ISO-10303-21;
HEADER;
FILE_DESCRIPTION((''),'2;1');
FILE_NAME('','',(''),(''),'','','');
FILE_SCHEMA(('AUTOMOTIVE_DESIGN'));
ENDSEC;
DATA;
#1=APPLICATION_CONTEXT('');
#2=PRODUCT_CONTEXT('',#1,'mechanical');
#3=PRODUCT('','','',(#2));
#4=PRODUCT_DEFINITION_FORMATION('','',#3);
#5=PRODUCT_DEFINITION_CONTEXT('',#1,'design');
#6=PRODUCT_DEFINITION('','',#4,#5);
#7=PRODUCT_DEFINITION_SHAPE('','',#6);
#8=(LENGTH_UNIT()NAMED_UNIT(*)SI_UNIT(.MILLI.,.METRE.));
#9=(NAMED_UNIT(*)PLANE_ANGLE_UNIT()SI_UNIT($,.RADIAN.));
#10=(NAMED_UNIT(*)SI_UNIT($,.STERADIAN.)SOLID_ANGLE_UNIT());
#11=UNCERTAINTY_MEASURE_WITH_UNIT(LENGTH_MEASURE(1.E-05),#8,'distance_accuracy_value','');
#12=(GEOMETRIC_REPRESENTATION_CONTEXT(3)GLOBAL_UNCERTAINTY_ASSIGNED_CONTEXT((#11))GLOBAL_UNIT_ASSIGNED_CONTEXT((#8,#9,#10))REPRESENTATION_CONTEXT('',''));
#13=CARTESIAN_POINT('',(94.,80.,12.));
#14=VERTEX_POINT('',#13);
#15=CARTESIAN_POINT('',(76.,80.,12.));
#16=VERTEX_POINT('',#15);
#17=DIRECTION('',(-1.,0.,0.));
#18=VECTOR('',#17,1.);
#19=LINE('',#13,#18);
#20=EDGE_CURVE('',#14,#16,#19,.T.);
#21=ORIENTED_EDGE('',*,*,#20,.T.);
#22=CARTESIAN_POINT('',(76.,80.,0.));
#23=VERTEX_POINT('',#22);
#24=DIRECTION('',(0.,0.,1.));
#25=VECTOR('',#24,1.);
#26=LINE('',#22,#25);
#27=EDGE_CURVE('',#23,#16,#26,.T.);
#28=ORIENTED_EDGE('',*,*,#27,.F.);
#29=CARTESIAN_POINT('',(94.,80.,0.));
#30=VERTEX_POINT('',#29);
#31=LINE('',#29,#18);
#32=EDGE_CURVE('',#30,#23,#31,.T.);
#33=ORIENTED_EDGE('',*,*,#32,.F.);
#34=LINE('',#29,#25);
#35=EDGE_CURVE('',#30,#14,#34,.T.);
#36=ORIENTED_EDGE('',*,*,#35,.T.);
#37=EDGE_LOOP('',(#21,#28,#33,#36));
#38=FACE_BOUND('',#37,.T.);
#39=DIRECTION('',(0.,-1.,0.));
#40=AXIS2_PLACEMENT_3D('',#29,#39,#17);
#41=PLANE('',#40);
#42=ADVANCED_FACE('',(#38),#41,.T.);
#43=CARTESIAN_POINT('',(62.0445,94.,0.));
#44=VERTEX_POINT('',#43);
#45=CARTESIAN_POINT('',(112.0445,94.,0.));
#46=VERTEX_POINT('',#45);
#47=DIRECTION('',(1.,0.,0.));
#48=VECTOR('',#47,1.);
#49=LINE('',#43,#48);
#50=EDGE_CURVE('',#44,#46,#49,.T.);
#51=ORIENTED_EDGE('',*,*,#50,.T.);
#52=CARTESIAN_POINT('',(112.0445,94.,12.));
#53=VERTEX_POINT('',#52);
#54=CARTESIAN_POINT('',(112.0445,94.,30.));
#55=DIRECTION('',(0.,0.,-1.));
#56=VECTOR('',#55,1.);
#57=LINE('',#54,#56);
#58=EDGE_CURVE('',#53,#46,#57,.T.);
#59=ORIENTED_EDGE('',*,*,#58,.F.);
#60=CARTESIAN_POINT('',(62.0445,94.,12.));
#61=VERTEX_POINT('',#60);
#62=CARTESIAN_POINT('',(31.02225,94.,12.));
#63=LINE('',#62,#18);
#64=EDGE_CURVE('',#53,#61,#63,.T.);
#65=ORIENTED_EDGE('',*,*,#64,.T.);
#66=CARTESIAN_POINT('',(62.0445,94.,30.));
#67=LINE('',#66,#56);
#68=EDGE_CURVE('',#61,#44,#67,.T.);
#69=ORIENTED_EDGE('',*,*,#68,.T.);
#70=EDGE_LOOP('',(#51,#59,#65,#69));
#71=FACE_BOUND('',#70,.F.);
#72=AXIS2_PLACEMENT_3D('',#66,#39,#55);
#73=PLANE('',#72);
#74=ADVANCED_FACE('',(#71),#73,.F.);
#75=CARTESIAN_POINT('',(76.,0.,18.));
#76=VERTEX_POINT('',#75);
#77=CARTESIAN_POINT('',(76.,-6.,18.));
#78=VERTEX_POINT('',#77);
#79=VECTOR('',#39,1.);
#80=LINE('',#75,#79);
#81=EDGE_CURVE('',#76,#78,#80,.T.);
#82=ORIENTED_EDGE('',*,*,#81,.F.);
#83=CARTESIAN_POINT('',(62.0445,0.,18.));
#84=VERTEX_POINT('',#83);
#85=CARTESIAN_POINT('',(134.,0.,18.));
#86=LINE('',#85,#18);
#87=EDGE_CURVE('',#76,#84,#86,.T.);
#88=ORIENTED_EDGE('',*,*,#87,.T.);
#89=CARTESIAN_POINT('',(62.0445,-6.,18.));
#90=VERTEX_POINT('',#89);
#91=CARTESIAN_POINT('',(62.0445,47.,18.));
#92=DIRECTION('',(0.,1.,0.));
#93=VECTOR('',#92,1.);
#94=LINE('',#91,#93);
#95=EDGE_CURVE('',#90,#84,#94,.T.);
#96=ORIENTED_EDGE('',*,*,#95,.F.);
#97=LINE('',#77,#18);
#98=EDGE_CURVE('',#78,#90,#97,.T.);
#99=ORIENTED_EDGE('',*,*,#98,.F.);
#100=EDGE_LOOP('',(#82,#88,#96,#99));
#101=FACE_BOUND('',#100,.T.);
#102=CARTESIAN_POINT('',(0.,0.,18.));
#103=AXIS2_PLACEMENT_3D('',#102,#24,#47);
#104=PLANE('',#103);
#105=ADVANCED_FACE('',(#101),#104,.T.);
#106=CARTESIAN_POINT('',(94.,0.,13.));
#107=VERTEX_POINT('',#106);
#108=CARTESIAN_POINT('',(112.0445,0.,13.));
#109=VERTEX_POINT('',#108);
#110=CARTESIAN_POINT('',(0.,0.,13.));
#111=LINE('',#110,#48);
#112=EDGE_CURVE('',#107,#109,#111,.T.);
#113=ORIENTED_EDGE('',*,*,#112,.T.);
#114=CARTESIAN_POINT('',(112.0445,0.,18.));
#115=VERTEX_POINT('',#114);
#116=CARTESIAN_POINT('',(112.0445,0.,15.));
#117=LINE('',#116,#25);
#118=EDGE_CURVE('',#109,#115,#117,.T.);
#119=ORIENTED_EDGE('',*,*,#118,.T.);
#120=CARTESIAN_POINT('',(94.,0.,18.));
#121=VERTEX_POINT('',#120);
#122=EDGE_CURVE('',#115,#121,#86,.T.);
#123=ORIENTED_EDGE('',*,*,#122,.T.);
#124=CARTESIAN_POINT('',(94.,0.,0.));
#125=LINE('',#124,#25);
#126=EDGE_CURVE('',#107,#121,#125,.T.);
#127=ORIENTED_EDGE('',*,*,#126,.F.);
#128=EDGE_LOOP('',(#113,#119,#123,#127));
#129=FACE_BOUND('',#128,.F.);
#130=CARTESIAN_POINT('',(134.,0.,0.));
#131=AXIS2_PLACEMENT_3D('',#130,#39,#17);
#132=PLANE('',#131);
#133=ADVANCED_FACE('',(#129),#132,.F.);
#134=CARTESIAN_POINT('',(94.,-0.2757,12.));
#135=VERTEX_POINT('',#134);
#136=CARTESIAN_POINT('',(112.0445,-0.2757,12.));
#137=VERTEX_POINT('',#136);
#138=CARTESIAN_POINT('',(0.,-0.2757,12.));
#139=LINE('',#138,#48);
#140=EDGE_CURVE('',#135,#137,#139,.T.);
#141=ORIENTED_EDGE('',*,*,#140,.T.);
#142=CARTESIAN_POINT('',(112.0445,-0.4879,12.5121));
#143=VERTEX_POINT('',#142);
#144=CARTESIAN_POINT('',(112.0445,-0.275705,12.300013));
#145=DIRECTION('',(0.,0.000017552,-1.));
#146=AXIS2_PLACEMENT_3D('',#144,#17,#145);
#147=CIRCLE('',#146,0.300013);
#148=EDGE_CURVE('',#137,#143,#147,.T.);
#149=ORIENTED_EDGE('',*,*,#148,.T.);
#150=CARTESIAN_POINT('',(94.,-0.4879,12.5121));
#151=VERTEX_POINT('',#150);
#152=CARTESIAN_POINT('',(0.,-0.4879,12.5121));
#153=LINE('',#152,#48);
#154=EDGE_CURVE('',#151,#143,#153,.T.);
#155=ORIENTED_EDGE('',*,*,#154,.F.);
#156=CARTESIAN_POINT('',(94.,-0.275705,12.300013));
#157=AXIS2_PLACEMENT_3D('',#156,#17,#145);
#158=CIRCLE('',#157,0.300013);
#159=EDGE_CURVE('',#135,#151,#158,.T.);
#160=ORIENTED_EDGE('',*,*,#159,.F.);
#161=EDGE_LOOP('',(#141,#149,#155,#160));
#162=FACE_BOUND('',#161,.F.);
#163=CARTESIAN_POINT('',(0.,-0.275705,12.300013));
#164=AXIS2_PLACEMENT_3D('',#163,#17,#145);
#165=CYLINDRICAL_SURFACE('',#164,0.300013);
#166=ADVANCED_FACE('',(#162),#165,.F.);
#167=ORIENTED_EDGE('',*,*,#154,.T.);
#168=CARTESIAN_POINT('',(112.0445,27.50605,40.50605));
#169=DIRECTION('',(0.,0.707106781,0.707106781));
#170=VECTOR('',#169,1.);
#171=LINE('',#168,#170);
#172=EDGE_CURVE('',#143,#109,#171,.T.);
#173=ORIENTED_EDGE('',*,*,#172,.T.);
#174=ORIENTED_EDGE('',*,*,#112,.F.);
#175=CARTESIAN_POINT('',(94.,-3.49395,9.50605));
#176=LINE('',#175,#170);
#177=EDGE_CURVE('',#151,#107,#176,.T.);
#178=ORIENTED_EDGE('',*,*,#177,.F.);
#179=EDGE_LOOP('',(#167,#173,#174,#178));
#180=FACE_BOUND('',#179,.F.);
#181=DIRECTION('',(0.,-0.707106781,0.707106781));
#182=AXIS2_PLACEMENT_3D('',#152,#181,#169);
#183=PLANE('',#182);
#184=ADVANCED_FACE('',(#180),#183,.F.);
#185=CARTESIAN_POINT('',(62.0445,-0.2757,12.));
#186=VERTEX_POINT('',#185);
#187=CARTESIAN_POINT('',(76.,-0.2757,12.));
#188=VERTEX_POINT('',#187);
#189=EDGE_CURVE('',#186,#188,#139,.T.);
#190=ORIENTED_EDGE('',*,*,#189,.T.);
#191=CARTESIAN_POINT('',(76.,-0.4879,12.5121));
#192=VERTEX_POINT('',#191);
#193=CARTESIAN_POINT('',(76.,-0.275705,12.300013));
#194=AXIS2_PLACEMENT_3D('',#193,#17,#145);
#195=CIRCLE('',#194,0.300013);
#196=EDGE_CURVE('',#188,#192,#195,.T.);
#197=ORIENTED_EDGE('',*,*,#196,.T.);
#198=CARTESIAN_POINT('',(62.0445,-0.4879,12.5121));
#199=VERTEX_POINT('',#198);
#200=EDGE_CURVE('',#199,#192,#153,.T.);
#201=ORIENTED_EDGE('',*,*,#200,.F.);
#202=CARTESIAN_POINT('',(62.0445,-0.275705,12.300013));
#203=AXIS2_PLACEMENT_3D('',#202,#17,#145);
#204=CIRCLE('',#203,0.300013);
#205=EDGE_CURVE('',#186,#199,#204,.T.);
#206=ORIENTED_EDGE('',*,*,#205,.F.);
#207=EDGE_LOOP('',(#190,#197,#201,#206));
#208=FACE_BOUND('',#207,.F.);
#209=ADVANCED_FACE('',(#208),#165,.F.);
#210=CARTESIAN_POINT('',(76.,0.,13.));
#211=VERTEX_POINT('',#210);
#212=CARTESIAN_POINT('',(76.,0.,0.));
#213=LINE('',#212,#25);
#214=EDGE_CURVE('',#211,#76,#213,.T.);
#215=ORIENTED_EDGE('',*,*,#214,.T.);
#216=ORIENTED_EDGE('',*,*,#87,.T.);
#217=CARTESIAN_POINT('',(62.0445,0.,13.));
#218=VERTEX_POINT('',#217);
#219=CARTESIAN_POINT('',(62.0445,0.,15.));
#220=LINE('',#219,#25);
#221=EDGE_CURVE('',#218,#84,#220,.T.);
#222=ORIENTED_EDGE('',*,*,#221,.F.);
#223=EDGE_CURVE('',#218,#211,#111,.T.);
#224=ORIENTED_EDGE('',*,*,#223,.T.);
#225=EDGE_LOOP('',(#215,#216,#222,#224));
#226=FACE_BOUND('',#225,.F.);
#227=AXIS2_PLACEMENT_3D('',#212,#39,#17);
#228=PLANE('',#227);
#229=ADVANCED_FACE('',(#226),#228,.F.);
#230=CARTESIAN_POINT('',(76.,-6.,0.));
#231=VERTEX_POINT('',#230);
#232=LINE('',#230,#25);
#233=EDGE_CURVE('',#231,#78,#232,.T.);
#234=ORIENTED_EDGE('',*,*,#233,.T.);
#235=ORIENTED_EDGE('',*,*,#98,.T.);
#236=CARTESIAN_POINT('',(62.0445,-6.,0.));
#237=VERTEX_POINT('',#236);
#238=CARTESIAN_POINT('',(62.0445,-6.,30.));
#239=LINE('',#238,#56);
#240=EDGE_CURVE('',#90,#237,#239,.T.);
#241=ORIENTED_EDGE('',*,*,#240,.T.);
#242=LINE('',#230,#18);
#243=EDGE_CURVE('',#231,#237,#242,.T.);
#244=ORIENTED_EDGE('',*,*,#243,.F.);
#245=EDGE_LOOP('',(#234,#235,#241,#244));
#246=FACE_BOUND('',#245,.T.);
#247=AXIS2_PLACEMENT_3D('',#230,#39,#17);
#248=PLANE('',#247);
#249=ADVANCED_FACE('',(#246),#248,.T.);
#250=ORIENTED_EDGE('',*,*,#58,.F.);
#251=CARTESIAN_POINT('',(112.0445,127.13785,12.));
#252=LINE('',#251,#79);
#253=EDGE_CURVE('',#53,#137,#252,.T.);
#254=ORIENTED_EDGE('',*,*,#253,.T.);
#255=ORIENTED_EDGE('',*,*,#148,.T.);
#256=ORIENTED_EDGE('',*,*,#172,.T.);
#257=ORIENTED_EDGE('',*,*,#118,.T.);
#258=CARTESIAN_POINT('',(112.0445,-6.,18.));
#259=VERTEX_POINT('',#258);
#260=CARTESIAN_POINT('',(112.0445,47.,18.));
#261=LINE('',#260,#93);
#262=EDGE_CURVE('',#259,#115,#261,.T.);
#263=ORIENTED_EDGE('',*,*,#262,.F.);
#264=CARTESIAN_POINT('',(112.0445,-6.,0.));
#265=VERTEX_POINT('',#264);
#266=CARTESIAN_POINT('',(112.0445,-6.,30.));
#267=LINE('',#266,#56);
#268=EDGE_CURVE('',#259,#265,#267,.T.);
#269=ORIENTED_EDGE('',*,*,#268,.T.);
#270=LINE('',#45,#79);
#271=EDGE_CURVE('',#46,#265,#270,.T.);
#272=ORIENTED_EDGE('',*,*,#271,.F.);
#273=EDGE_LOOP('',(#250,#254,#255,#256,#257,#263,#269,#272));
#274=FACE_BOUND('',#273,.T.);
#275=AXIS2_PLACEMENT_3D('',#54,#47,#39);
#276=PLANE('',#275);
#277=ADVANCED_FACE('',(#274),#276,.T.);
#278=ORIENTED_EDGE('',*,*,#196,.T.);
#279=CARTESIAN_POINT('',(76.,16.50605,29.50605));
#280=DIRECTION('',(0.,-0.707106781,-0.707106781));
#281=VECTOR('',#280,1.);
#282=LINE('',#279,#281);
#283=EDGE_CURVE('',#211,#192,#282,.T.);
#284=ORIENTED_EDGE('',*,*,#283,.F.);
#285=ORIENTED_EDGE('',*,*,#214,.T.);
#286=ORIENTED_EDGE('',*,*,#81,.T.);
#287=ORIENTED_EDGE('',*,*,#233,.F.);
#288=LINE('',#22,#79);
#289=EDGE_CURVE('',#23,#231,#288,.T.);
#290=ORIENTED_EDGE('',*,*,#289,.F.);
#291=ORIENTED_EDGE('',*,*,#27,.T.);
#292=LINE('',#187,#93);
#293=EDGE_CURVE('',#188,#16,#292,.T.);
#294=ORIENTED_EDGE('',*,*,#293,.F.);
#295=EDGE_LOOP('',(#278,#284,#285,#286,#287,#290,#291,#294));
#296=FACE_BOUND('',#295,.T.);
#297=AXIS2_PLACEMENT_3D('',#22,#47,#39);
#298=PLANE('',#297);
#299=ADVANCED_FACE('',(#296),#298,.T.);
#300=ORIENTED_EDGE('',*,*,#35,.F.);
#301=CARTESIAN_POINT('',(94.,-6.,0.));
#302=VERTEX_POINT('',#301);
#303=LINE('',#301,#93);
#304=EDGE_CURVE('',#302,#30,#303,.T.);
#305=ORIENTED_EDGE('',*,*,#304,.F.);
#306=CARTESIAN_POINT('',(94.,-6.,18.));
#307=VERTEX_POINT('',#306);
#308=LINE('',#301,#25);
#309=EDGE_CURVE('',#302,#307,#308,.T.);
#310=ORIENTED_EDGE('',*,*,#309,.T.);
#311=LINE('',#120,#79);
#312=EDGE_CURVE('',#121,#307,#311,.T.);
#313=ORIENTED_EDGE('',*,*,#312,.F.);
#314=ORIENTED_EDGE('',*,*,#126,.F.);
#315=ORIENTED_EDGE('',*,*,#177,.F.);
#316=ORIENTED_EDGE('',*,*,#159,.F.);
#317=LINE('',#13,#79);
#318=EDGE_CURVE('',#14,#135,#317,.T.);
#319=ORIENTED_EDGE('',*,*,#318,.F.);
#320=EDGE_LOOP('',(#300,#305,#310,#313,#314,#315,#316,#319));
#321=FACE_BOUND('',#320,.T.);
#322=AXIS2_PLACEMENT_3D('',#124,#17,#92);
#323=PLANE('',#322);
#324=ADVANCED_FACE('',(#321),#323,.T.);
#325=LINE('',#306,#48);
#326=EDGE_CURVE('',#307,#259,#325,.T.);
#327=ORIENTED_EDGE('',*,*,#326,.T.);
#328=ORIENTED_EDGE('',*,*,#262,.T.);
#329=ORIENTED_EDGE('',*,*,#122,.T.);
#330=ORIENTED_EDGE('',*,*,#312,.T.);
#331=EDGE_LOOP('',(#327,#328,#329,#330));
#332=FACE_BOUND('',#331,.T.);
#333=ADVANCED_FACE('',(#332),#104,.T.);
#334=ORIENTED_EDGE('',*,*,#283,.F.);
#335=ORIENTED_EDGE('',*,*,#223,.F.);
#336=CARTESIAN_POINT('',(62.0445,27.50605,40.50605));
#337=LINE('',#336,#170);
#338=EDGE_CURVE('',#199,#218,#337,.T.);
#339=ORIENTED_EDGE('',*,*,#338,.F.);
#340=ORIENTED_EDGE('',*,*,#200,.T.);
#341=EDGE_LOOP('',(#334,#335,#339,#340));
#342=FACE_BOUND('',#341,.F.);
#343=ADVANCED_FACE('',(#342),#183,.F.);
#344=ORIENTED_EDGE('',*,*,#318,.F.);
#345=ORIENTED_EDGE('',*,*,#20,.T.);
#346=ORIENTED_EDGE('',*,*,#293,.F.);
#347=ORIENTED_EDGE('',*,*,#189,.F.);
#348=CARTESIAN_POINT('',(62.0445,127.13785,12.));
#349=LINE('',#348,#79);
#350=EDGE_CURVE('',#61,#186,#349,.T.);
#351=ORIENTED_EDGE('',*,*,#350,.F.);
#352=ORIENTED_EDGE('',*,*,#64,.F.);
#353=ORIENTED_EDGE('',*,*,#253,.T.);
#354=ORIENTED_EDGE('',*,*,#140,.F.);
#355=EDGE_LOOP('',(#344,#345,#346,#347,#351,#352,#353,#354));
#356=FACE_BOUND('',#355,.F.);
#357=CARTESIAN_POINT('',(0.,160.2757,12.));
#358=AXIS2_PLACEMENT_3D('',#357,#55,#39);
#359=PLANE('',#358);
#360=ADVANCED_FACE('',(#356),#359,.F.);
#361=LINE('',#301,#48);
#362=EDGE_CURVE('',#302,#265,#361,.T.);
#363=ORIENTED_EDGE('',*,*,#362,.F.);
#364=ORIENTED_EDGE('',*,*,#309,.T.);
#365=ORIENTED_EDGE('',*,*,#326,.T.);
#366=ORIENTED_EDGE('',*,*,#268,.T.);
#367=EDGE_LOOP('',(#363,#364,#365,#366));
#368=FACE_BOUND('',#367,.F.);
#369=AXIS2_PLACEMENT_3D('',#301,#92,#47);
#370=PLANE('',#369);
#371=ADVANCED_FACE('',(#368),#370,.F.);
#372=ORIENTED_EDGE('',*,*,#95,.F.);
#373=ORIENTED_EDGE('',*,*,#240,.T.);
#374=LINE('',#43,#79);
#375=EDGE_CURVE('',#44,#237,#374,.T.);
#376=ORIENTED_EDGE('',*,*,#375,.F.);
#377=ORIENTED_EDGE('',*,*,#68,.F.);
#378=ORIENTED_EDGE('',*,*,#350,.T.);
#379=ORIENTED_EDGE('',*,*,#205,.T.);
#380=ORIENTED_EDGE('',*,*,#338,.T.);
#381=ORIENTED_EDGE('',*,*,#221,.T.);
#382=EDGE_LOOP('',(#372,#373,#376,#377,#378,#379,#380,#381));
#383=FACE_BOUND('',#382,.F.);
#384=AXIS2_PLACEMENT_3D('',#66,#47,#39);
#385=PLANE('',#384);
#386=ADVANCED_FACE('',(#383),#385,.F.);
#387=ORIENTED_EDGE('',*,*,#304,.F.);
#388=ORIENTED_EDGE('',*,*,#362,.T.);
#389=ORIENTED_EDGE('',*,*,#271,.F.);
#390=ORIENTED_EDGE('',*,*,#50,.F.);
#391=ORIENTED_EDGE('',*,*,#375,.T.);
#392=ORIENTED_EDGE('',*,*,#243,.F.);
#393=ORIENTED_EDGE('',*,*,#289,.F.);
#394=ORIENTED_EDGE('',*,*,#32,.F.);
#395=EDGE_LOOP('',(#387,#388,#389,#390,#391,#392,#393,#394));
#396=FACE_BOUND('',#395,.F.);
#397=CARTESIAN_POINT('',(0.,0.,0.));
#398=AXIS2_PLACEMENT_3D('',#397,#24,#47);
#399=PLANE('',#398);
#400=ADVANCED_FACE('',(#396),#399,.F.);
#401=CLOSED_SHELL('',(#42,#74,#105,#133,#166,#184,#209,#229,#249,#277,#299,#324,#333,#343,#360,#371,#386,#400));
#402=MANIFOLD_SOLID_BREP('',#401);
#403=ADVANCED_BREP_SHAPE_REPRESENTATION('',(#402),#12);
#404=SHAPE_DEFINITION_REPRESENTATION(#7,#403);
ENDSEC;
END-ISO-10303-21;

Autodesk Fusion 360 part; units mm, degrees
sketch "Sketch2" plane through (0, 0, 0) normal (0, 0, 1) x (1, 0, 0) in component "jig"
  line L0 (0, 0) -> (0, 160)
  line L1 (0, 160) -> (134, 160)
  line L2 (134, 160) -> (134, 0)
  line L3 (134, 0) -> (0, 0)
  line L4 (40, 160) -> (58, 160)
  line L5 (58, 160) -> (58, 60)
  line L6 (58, 60) -> (40, 60)
  line L7 (40, 60) -> (40, 160)
  line L8 (76, 0) -> (94, 0)
  line L9 (94, 0) -> (94, 80)
  line L10 (94, 80) -> (76, 80)
  line L11 (76, 80) -> (76, 0)
  line L12 (76, 80) -> (58, 80) construction
  line L13 (0, 160) -> (40, 160)
  line L14 (40, 160) -> (40, 166)
  line L15 (40, 166) -> (0, 166)
  line L16 (0, 166) -> (0, 160)
  line L17 (134, 160) -> (58, 160)
  line L18 (58, 160) -> (58, 166)
  line L19 (58, 166) -> (134, 166)
  line L20 (134, 166) -> (134, 160)
  line L21 (0, 0) -> (76, 0)
  line L22 (76, 0) -> (76, -6)
  line L23 (76, -6) -> (0, -6)
  line L24 (0, -6) -> (0, 0)
  line L25 (134, 0) -> (94, 0)
  line L26 (94, 0) -> (94, -6)
  line L27 (94, -6) -> (134, -6)
  line L28 (134, -6) -> (134, 0)
  dimension "d18" = 18
  dimension "d21" = 80
  dimension "d22" = 60
  dimension "d23" = 80
  dimension "d25" = 40
  dimension "d27" = 40
  dimension "d28" = 6
  dimension "d29" = 6
extrude "Extrude1" add sketch "Sketch2" along normal blind 12 contours L0 L1 L2 L3 L5 L6 L7 L9 L10 L11 L13 L17 L21 L25 in component "jig"
extrude "Extrude2" add sketch "Sketch2" along normal blind 18 contours L3 L21 L22 L23 L24 | L1 L13 L14 L15 L16 | L3 L25 L26 L27 L28 | L1 L17 L18 L19 L20 in component "jig"
sketch "Sketch3" plane through (0, 0, 0) normal (-1, 0, 0) x (0, -1, 0) in component "jig"
  line L0 (-166, 0) -> (6, 0)
  line L1 (6, 0) -> (6, 18)
  line L2 (6, 18) -> (0, 18)
  line L3 (0, 18) -> (0, 12)
  line L4 (0, 12) -> (-160, 12)
  line L5 (-160, 12) -> (-160, 18)
  line L6 (-160, 18) -> (-166, 18)
  line L7 (-166, 18) -> (-166, 0)
  line L8 (-160, 13) -> (-160.4879, 12.5121)
  line L9 (-160.2757, 12) -> (-160, 12)
  line L10 (-160, 13) -> (-160, 12)
  arc A0 (-160.4879, 12.5121) -> (-160.2757, 12) centre (-160.2757, 12.3) ccw
  line L11 (0, 12) -> (0.2757, 12)
  line L12 (0.4879, 12.5121) -> (0, 13)
  line L13 (0, 12) -> (0, 13)
  arc A1 (0.2757, 12) -> (0.4879, 12.5121) centre (0.2757, 12.3) ccw
  dimension "d34" = 1
  dimension "d35" = 0.3
  dimension "d36" = 45
  dimension "d37" = 1
  dimension "d38" = 45
  dimension "d39" = 0.3
extrude "Extrude3" cut sketch "Sketch3" against normal up to surface (134 mm away) contours L5 L8 L9 L10 A0 | L3 L11 L12 L13 A1 in component "jig"
box "BoxPrimitive1" cut length 30 width 50 height -100 placed x (0, 0, -1) y (1, 0, 0) z (0, -1, 0) at (62.0445, -6, 30) keep common part in component "jig"
component "jig" placed x (1, 0, 0) y (0, 1, 0) z (0, 0, 1) at (0, 0, 0)
equation "stockW = 200 mm"
equation "stockH = 120 mm"
equation "stockT = 18 mm"
equation "lipT = stockT / 3"
equation "lipH = lipT"
equation "jigT = 12 mm"
equation "stock2H = 160 mm"
equation "d18 = stockT"
equation "d21 = stock2H / 2"
equation "d22 = stockH / 2"
equation "d23 = stock2H / 2"
equation "baseMargin = 40 mm"
equation "d25 = baseMargin"
equation "d27 = baseMargin"
equation "d28 = lipT"
equation "d29 = lipT"
equation "d30 = jigT"
equation "d32 = jigT + lipT"
